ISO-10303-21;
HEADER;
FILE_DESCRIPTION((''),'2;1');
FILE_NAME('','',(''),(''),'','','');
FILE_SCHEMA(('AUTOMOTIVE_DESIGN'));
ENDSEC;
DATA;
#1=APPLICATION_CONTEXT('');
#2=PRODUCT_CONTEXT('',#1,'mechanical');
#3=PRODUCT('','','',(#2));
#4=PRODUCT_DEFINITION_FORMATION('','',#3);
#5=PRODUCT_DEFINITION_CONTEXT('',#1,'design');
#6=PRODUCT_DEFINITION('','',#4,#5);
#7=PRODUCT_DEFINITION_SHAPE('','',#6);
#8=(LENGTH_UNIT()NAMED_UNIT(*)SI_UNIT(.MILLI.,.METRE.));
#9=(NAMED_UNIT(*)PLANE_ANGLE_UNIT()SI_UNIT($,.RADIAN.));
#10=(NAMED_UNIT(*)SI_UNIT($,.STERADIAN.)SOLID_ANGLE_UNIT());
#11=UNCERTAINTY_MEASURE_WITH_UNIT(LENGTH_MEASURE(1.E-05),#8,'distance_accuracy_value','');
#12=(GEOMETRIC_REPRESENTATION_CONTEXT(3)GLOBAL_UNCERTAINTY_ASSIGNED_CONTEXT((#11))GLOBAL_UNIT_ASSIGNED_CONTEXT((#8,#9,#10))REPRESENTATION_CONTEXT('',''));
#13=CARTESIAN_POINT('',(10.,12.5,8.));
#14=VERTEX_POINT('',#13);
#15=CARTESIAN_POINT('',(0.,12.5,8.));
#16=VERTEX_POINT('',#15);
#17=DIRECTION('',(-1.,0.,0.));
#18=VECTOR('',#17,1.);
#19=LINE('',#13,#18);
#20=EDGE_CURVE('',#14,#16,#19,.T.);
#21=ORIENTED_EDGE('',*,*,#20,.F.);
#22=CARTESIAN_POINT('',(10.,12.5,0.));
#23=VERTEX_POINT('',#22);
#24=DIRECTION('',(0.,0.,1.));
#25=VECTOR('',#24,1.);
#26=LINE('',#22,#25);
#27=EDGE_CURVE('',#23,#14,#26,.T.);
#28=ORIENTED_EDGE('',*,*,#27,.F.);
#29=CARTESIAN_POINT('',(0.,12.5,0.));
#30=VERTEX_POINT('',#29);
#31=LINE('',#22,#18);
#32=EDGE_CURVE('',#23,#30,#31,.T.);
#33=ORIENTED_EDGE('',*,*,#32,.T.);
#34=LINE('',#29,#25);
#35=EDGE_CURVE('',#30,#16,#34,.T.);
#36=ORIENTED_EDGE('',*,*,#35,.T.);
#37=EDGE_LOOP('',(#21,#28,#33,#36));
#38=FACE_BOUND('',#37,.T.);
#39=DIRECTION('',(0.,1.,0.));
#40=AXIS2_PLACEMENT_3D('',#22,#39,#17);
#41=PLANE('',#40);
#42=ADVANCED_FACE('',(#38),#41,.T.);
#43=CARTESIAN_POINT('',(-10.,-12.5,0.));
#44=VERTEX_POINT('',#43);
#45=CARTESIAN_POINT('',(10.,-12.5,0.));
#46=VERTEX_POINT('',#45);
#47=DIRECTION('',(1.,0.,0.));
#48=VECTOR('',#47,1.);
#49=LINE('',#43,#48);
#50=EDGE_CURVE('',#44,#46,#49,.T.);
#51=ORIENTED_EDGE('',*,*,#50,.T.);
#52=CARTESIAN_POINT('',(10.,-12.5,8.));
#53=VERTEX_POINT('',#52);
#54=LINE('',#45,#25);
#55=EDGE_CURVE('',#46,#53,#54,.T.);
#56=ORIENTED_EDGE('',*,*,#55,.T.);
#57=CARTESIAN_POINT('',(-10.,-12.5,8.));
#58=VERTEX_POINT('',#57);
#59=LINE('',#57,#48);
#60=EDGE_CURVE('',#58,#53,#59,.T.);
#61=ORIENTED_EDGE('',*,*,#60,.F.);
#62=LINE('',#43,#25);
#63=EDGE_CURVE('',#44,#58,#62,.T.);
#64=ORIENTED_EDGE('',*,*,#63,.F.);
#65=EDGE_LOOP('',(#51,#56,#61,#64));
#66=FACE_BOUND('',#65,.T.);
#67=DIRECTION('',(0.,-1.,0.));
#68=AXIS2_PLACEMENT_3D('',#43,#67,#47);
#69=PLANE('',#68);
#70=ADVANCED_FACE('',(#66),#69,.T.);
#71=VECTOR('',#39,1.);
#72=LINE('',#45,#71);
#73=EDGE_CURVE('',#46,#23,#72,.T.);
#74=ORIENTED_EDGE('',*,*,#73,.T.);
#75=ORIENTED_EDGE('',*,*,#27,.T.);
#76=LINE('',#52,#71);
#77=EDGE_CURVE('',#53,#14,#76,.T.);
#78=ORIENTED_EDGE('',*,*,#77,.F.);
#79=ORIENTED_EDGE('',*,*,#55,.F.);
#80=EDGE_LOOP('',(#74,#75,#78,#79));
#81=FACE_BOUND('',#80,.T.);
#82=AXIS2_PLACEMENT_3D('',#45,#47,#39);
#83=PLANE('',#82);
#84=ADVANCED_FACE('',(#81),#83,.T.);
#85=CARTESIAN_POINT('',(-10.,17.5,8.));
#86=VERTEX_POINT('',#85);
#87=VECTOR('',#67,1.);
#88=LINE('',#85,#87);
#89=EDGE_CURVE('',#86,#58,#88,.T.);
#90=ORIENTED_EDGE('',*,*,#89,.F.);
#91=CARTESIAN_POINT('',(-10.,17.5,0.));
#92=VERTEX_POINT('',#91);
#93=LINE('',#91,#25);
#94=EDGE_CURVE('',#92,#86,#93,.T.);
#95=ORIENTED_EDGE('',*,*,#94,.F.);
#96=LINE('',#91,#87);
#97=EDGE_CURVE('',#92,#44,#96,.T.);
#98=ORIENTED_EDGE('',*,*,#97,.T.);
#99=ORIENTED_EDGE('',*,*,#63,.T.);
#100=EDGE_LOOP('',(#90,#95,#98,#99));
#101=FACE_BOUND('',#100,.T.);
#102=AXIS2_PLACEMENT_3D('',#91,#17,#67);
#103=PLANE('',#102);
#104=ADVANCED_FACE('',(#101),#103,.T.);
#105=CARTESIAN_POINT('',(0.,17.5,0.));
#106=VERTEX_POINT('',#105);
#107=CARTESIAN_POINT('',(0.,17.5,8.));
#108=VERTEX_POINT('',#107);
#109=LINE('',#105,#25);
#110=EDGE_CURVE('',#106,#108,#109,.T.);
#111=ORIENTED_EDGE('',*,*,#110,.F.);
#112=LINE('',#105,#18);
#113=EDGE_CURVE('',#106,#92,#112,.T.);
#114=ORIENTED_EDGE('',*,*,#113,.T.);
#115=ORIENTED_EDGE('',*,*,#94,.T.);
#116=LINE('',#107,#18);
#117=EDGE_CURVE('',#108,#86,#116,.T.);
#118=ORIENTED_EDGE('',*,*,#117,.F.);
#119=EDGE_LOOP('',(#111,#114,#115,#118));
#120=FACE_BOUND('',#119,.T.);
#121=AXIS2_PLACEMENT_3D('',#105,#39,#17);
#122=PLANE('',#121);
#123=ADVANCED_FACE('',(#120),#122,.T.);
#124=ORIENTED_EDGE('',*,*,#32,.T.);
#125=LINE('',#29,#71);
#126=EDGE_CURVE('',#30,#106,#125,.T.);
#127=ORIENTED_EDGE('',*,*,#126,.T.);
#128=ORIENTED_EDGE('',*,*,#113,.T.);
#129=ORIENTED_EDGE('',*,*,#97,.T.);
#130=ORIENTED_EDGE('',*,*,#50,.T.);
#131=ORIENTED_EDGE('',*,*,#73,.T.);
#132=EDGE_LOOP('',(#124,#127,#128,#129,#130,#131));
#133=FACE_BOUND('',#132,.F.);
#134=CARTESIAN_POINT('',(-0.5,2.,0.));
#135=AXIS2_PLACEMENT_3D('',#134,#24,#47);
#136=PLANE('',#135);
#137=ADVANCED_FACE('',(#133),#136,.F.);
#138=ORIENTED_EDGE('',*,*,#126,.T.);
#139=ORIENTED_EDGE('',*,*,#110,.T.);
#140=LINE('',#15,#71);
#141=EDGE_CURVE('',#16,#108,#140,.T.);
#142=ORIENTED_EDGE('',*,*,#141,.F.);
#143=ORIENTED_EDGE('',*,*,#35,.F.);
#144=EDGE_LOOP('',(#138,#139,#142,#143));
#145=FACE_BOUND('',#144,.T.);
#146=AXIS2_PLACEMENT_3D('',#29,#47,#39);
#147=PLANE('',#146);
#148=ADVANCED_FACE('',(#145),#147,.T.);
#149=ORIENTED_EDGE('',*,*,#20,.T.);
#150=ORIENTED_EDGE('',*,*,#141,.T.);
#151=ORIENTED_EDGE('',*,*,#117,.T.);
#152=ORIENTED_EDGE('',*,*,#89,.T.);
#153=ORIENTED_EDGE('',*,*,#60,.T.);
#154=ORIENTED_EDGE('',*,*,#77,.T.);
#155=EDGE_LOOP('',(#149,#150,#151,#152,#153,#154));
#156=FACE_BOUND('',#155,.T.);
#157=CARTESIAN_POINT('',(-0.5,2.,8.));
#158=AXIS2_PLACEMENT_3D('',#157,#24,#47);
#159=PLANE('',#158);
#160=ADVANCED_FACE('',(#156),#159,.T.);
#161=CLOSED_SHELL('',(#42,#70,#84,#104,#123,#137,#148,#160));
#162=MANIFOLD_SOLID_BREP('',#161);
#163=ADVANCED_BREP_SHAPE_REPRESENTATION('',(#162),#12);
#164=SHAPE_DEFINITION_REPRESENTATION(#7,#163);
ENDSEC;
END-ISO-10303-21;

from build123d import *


with BuildPart() as f2:
    # F2: sweep along a path in F1
    with BuildLine(Plane.XZ) as f2_path:
        Line((0, 0), (0, 8))
    # F0 (on Top) → F2 (sweep)
    with BuildSketch(Plane.XY):
        Polygon((10, -12.5), (10, 12.5), (0, 12.5), (0, 17.5), (-10, 17.5), (-10, 12.5), (-10, -12.5), align=None)
    sweep(path=f2_path.line)


solid = f2.part
